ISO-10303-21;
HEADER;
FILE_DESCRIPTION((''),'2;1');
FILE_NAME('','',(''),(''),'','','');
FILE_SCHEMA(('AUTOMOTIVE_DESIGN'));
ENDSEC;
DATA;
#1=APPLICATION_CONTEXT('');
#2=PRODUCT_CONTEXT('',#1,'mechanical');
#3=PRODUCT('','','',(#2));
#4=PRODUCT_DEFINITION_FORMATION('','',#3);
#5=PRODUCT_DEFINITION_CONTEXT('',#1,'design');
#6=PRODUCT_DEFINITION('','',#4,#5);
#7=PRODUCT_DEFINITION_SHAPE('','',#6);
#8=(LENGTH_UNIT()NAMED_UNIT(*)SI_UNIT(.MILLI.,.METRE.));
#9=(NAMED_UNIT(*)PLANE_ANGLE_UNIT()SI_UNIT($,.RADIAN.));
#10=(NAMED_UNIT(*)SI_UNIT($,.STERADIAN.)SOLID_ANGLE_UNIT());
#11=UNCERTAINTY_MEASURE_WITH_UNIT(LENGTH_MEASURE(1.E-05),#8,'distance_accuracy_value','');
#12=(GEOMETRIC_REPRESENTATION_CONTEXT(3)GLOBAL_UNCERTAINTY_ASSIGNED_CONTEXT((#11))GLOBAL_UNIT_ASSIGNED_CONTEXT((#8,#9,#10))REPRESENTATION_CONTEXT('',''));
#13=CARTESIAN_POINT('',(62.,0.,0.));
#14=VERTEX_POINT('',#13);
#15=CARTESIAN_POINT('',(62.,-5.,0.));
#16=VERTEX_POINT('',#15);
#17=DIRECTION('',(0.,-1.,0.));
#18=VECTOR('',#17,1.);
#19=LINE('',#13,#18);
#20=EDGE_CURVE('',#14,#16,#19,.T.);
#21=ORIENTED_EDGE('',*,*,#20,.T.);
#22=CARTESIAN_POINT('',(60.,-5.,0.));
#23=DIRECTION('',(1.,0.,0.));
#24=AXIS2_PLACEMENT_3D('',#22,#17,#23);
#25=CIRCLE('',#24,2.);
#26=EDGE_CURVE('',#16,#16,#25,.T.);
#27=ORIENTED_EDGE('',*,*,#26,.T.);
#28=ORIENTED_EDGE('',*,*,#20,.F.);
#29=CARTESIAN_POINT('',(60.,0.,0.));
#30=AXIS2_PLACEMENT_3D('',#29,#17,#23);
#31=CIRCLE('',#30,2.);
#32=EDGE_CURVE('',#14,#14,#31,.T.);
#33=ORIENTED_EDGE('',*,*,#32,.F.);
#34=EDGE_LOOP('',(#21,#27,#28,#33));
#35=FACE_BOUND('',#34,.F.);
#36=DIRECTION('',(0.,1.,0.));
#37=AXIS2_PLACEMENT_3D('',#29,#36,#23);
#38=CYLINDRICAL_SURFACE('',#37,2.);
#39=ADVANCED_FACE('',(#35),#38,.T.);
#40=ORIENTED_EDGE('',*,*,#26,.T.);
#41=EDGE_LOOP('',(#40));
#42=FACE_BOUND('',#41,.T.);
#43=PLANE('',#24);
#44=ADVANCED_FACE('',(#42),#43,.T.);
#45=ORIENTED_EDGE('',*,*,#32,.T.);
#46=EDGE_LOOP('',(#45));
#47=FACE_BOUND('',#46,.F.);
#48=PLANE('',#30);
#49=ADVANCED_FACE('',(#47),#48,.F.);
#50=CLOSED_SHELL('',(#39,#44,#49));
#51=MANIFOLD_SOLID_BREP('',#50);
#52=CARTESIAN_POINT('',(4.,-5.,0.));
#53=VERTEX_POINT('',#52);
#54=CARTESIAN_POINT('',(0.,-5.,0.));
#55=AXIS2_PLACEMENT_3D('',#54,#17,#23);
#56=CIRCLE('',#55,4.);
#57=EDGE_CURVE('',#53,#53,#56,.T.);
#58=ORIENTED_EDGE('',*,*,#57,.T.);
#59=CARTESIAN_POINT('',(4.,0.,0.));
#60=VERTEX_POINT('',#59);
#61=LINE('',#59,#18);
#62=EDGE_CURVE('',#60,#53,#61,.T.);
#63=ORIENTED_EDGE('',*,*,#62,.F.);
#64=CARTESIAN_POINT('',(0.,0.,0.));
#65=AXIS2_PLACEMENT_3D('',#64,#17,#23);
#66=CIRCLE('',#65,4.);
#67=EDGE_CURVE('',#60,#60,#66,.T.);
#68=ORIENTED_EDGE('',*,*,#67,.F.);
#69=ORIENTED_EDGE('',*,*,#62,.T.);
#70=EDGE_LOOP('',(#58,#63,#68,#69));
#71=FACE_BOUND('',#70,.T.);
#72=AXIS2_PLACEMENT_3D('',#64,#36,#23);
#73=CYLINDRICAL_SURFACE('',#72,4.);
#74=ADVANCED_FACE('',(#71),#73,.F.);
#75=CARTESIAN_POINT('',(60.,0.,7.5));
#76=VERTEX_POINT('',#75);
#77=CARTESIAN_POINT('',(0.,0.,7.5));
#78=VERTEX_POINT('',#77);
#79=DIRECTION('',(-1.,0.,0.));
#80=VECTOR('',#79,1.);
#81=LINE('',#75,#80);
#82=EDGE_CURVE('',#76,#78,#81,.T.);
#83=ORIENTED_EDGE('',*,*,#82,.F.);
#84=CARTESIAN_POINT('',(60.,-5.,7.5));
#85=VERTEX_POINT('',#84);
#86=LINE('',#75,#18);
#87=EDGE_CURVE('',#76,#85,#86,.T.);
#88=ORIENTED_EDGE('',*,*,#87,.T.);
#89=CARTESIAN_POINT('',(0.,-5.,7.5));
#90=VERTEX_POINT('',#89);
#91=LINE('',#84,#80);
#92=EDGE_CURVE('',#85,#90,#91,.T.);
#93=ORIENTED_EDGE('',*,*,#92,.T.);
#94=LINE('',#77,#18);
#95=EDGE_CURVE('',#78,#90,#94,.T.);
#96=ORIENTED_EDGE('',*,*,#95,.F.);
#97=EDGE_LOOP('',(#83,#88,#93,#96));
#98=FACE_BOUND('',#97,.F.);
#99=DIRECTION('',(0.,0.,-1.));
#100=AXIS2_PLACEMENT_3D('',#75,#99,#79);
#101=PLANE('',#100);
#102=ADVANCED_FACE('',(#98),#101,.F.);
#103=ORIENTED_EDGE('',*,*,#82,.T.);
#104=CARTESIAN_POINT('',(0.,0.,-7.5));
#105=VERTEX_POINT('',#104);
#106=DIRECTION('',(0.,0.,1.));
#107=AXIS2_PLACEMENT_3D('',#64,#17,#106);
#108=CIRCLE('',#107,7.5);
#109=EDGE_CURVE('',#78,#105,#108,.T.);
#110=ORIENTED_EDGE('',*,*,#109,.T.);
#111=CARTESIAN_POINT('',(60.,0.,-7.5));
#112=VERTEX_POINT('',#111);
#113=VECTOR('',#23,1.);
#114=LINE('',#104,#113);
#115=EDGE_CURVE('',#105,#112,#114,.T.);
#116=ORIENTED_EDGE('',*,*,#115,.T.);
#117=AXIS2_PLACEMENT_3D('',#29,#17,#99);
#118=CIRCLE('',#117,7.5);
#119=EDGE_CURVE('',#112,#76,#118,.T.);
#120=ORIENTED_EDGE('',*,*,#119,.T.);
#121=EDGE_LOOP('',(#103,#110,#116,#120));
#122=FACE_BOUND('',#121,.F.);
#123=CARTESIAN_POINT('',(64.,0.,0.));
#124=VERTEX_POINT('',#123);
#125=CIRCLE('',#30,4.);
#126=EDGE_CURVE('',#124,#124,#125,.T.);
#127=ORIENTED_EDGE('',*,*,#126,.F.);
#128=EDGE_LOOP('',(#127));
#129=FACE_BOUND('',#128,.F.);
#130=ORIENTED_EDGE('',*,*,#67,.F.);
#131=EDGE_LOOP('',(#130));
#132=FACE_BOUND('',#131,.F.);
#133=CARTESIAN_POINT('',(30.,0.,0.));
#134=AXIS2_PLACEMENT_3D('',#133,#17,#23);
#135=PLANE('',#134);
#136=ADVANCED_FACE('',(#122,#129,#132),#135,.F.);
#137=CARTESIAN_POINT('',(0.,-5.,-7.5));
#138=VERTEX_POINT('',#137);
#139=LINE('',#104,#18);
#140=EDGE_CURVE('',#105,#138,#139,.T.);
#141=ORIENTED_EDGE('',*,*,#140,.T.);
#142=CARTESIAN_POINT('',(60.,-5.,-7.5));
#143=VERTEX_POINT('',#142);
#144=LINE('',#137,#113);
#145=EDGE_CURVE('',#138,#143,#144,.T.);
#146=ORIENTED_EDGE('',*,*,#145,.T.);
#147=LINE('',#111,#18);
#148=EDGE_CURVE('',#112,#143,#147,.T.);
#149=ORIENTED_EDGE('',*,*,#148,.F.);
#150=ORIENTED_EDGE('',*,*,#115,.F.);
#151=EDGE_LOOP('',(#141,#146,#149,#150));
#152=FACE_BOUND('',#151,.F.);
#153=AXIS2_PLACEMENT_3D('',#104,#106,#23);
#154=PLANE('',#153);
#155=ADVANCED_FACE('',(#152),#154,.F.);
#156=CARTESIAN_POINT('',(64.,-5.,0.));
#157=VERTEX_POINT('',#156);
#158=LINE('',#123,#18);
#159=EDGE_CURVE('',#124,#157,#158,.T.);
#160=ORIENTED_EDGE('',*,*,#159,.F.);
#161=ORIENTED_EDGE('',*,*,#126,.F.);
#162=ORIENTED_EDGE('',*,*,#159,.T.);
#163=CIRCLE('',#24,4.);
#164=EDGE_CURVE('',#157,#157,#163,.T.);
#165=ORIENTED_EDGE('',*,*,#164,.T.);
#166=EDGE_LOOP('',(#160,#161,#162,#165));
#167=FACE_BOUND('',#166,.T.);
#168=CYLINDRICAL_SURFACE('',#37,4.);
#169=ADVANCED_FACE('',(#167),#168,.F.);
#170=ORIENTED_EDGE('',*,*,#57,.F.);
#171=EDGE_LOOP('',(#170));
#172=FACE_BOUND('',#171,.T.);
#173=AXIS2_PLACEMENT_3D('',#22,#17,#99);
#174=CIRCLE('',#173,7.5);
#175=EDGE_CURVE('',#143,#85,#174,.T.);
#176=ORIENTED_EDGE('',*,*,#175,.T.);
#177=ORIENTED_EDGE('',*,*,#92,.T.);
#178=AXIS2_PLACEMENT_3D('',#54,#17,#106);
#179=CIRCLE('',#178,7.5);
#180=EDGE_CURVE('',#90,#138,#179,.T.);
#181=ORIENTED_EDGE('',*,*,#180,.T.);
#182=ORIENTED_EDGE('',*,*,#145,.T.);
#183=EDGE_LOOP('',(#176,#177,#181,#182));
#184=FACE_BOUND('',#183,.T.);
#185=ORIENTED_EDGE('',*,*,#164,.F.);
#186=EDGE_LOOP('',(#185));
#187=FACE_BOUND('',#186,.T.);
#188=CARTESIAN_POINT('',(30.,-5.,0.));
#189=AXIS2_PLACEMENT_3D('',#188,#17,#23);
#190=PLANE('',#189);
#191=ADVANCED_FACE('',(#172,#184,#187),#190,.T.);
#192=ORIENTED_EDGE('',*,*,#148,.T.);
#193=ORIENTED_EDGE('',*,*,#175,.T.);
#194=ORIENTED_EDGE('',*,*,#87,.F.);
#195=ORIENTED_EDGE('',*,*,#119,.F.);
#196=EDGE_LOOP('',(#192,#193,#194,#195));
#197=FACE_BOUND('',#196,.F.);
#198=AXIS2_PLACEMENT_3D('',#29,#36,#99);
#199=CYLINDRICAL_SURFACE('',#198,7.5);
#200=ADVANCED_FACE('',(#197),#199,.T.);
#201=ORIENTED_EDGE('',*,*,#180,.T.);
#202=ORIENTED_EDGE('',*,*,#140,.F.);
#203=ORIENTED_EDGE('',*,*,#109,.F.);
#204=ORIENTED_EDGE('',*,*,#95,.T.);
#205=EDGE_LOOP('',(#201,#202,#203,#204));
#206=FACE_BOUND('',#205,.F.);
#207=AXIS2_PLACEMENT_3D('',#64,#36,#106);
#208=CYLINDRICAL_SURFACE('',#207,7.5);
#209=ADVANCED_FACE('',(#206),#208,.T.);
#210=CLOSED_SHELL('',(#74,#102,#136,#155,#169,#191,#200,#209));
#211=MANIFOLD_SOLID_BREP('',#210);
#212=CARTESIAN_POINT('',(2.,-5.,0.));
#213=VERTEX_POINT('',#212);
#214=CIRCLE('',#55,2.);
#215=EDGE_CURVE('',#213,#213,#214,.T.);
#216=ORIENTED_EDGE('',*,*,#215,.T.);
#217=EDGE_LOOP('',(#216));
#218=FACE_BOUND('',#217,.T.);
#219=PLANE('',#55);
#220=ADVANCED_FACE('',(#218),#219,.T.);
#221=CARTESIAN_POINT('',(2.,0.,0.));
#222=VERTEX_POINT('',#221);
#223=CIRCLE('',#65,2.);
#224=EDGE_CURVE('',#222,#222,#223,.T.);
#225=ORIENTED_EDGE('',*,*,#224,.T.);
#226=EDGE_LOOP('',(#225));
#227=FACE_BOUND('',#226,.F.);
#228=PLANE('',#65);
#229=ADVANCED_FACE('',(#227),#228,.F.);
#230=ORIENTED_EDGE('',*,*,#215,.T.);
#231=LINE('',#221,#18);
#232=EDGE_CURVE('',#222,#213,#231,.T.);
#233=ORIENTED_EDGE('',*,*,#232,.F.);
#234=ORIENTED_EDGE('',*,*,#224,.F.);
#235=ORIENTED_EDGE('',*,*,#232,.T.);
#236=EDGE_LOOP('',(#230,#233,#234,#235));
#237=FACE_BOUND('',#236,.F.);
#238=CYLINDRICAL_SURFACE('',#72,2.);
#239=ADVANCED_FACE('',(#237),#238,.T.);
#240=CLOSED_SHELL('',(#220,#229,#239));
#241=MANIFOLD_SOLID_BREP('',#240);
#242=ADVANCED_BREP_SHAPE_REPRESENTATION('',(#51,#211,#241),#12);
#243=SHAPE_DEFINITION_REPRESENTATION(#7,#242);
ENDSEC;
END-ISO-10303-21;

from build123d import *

# Parameters (mm, degrees)
F0_R     = 4
F1_DEPTH = 5
F2_R     = 2
F3_DEPTH = 5


with BuildPart() as f1:
    # F0 (on Front) → F1 (new body)
    with BuildSketch(Plane.XZ):
        with BuildLine():
            Line((60, 7.5), (0, 7.5))
            ThreePointArc((0, 7.5), (-7.5, 0), (0, -7.5))
            Line((0, -7.5), (60, -7.5))
            ThreePointArc((60, -7.5), (67.5, 0), (60, 7.5))
        make_face()
        Circle(F0_R, mode=Mode.SUBTRACT)
        with Locations((60, 0)):
            Circle(F0_R, mode=Mode.SUBTRACT)
    extrude(amount=F1_DEPTH)


with BuildPart() as f3:
    # F2 (on Front) → F3 (new body)
    with BuildSketch(Plane.XZ):
        Circle(F2_R)
        with Locations((60, 0)):
            Circle(F2_R)
    extrude(amount=F3_DEPTH)


solid = Compound([f1.part, f3.part])
